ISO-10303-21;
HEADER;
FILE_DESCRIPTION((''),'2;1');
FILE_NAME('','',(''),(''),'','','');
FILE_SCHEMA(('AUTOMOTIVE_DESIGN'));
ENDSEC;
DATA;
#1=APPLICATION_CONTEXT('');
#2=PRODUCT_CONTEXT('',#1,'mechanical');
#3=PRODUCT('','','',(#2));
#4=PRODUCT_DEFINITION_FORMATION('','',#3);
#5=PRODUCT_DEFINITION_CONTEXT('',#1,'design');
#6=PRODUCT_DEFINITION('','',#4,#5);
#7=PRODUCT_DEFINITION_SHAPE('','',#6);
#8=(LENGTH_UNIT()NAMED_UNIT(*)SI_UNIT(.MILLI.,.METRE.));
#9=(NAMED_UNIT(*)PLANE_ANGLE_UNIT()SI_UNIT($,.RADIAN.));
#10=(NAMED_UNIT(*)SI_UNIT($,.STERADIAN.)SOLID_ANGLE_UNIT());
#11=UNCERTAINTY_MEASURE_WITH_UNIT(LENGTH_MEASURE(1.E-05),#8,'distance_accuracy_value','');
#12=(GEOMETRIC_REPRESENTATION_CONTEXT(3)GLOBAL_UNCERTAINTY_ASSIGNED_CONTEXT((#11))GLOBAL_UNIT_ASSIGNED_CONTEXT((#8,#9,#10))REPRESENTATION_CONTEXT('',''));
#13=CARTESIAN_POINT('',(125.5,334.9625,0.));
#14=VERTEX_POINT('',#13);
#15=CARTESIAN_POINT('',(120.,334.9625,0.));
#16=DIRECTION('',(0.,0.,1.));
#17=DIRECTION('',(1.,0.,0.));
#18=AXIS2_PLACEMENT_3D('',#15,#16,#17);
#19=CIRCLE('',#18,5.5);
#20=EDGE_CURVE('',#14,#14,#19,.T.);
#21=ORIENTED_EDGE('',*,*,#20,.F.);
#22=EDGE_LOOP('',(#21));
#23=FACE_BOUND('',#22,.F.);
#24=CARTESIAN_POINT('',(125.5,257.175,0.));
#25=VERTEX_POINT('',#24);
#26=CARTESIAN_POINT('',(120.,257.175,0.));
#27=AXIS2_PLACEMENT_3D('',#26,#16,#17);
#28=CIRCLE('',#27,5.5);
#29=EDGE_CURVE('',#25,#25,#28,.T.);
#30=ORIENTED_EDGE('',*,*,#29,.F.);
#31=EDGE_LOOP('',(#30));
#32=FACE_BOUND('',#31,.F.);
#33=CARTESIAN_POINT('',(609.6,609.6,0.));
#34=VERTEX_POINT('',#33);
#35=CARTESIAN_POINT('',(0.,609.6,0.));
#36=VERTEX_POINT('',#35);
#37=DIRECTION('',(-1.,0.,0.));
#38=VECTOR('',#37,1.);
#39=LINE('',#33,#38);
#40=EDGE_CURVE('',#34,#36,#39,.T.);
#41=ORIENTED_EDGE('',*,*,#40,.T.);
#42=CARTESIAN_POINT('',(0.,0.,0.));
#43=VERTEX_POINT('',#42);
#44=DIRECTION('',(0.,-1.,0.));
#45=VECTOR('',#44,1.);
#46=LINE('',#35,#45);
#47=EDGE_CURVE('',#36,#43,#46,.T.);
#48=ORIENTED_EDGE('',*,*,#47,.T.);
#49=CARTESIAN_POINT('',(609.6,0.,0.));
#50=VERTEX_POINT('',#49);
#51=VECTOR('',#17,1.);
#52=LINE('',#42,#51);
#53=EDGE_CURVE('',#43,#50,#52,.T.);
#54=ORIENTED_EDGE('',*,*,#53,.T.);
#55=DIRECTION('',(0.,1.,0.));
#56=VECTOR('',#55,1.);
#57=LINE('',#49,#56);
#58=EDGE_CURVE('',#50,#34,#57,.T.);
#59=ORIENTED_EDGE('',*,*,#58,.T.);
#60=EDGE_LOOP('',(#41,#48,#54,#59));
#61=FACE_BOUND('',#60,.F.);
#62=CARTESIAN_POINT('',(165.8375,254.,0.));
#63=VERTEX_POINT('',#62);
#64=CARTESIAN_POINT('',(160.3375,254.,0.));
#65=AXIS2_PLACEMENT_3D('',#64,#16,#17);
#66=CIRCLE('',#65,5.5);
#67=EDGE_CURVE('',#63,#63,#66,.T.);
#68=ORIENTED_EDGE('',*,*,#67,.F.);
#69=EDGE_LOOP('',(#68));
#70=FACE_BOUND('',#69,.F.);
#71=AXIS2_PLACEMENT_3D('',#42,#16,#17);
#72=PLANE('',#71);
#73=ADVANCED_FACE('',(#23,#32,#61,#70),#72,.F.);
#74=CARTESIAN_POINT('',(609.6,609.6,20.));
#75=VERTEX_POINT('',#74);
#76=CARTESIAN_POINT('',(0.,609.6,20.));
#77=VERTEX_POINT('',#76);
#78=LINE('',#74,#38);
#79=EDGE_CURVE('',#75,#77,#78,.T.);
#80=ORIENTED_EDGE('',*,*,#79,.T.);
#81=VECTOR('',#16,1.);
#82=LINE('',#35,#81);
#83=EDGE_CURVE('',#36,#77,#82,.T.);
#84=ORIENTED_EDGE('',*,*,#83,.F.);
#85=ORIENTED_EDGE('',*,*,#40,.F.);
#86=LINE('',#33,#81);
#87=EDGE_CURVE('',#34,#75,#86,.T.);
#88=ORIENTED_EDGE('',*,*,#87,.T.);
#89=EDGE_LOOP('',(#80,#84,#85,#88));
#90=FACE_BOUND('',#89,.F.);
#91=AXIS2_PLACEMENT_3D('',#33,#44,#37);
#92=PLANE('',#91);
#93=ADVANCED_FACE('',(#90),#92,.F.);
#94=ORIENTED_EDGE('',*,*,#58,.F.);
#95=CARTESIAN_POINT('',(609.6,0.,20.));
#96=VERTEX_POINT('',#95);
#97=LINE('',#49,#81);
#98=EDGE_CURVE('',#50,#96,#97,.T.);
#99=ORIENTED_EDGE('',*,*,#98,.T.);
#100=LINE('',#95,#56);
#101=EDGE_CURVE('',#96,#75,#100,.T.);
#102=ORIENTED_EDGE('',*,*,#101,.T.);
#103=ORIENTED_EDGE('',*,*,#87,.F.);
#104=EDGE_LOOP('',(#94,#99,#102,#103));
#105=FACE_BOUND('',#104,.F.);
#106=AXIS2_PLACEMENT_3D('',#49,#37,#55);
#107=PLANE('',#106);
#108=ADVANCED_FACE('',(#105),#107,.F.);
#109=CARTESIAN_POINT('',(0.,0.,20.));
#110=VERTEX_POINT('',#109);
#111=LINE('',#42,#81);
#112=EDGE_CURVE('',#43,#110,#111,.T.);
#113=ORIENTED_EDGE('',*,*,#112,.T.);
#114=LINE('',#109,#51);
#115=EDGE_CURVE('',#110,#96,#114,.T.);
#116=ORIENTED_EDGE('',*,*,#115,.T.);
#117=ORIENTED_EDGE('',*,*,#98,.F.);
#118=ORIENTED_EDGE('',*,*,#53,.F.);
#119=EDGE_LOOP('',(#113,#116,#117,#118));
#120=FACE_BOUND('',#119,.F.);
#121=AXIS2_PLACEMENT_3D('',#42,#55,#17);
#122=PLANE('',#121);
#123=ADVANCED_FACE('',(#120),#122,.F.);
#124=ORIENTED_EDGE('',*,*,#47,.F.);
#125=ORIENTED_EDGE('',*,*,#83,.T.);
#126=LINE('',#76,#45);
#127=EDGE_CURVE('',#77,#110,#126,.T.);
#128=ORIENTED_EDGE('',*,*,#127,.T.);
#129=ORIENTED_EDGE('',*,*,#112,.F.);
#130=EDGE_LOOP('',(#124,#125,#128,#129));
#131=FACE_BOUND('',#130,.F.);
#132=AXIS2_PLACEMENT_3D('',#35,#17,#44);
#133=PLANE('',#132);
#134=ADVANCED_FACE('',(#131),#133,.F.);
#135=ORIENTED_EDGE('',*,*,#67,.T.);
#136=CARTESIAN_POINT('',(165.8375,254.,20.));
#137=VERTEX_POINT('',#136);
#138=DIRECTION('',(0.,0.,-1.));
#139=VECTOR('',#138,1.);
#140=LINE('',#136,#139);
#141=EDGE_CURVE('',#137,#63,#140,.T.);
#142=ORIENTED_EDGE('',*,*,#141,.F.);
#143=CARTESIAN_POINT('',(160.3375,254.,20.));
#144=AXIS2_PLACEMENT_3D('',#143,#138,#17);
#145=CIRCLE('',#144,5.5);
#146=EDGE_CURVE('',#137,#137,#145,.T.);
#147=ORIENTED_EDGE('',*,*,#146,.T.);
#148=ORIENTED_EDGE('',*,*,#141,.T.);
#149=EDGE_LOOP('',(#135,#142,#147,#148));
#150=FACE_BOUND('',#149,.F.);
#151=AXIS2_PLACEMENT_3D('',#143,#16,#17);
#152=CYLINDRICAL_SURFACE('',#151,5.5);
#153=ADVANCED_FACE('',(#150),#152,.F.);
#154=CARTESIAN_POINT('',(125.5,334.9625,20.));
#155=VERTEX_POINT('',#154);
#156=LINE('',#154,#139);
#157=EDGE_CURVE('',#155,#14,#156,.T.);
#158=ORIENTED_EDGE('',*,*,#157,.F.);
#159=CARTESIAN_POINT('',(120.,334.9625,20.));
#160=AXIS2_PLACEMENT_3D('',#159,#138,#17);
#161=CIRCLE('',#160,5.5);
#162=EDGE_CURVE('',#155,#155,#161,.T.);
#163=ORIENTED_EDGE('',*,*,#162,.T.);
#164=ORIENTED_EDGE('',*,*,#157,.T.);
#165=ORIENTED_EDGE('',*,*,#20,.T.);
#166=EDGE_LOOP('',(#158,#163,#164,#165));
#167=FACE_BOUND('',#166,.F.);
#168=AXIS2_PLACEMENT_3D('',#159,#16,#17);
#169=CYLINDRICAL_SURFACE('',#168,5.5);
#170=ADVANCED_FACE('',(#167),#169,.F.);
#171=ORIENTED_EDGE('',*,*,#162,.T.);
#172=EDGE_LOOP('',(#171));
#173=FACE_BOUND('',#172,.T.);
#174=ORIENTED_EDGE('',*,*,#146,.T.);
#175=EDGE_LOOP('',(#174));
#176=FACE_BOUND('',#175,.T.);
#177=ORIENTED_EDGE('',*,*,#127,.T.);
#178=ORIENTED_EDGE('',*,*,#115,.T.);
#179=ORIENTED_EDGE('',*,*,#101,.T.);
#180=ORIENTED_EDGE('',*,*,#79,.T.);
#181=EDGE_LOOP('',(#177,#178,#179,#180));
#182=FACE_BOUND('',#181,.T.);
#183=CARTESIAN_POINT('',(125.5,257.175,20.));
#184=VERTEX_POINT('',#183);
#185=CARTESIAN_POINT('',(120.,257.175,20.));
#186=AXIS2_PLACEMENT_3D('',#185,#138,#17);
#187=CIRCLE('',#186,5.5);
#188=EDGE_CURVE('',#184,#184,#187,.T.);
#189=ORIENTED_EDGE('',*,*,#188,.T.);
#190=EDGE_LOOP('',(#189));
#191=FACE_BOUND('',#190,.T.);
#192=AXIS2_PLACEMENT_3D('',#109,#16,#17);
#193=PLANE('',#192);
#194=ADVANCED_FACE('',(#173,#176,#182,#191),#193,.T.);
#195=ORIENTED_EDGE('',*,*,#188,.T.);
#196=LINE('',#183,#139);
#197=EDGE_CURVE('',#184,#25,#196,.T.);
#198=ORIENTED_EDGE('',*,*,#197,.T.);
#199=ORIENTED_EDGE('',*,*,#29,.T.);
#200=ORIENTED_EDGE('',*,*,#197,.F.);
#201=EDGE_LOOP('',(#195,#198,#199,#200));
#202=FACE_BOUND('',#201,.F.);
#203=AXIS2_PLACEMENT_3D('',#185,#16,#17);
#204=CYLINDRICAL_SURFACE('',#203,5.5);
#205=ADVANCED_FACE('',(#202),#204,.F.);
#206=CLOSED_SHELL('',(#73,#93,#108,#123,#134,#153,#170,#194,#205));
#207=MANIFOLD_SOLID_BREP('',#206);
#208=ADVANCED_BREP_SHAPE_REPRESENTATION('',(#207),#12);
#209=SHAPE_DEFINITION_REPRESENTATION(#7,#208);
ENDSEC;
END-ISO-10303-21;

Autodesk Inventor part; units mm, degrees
ref_plane "YZ Plane" through (0, 0, 0) normal (1, 0, 0) x (0, 1, 0)
ref_plane "XZ Plane" through (0, 0, 0) normal (0, 1, 0) x (-1, 0, 0)
ref_plane "XY Plane" through (0, 0, 0) normal (0, 0, 1) x (1, 0, 0)
sketch "Sketch1" plane through (0, 0, 0) normal (0, 0, 1) x (1, 0, 0)
  line L0 (0, 0) -> (609.6, 0)
  line L1 (609.6, 0) -> (609.6, 609.6)
  line L2 (609.6, 609.6) -> (0, 609.6)
  line L3 (0, 609.6) -> (0, 0)
  dimension "d0" = 609.6
  dimension "d1" = 609.6
extrude "Extrusion1" add sketch "Sketch1" along normal blind 20
sketch "Sketch2" plane through (0, 0, 20) normal (0, 0, 1) x (1, 0, 0)
  point P0 (0, 0)
sketch "Sketch3" plane through (0, 0, 20) normal (0, 0, 1) x (1, 0, 0)
  point P0 (0, 0)
sketch "Sketch4" plane through (0, 0, 20) normal (0, 0, 1) x (1, 0, 0)
  point P0 (0, 0)
sketch "Sketch5" plane through (0, 0, 20) normal (0, 0, 1) x (1, 0, 0)
  line L0 (0, 609.6) -> (0, 0) projected
  line L1 (0, 254) -> (160.3375, 254)
  circle A0 centre (160.3375, 254) radius 5.5
  dimension "d4" = 11
extrude "Extrusion2" cut sketch "Sketch5" against normal through all
sketch "Sketch6" plane through (0, 0, 20) normal (0, 0, 1) x (1, 0, 0)
  point P0 (0, 0)
sketch "Sketch7" plane through (0, 0, 20) normal (0, 0, 1) x (1, 0, 0)
  line L0 (0, 257.175) -> (120, 257.175)
  line L1 (0, 609.6) -> (0, 0) projected
  line L2 (0, 334.9625) -> (120, 334.9625)
  circle A0 centre (120, 334.9625) radius 5.5
  circle A1 centre (120, 257.175) radius 5.5
  dimension "d7" = 120
  dimension "d8" = 11
  dimension "d9" = 11
extrude "Extrusion3" cut sketch "Sketch7" against normal through all
properties part number "base"
